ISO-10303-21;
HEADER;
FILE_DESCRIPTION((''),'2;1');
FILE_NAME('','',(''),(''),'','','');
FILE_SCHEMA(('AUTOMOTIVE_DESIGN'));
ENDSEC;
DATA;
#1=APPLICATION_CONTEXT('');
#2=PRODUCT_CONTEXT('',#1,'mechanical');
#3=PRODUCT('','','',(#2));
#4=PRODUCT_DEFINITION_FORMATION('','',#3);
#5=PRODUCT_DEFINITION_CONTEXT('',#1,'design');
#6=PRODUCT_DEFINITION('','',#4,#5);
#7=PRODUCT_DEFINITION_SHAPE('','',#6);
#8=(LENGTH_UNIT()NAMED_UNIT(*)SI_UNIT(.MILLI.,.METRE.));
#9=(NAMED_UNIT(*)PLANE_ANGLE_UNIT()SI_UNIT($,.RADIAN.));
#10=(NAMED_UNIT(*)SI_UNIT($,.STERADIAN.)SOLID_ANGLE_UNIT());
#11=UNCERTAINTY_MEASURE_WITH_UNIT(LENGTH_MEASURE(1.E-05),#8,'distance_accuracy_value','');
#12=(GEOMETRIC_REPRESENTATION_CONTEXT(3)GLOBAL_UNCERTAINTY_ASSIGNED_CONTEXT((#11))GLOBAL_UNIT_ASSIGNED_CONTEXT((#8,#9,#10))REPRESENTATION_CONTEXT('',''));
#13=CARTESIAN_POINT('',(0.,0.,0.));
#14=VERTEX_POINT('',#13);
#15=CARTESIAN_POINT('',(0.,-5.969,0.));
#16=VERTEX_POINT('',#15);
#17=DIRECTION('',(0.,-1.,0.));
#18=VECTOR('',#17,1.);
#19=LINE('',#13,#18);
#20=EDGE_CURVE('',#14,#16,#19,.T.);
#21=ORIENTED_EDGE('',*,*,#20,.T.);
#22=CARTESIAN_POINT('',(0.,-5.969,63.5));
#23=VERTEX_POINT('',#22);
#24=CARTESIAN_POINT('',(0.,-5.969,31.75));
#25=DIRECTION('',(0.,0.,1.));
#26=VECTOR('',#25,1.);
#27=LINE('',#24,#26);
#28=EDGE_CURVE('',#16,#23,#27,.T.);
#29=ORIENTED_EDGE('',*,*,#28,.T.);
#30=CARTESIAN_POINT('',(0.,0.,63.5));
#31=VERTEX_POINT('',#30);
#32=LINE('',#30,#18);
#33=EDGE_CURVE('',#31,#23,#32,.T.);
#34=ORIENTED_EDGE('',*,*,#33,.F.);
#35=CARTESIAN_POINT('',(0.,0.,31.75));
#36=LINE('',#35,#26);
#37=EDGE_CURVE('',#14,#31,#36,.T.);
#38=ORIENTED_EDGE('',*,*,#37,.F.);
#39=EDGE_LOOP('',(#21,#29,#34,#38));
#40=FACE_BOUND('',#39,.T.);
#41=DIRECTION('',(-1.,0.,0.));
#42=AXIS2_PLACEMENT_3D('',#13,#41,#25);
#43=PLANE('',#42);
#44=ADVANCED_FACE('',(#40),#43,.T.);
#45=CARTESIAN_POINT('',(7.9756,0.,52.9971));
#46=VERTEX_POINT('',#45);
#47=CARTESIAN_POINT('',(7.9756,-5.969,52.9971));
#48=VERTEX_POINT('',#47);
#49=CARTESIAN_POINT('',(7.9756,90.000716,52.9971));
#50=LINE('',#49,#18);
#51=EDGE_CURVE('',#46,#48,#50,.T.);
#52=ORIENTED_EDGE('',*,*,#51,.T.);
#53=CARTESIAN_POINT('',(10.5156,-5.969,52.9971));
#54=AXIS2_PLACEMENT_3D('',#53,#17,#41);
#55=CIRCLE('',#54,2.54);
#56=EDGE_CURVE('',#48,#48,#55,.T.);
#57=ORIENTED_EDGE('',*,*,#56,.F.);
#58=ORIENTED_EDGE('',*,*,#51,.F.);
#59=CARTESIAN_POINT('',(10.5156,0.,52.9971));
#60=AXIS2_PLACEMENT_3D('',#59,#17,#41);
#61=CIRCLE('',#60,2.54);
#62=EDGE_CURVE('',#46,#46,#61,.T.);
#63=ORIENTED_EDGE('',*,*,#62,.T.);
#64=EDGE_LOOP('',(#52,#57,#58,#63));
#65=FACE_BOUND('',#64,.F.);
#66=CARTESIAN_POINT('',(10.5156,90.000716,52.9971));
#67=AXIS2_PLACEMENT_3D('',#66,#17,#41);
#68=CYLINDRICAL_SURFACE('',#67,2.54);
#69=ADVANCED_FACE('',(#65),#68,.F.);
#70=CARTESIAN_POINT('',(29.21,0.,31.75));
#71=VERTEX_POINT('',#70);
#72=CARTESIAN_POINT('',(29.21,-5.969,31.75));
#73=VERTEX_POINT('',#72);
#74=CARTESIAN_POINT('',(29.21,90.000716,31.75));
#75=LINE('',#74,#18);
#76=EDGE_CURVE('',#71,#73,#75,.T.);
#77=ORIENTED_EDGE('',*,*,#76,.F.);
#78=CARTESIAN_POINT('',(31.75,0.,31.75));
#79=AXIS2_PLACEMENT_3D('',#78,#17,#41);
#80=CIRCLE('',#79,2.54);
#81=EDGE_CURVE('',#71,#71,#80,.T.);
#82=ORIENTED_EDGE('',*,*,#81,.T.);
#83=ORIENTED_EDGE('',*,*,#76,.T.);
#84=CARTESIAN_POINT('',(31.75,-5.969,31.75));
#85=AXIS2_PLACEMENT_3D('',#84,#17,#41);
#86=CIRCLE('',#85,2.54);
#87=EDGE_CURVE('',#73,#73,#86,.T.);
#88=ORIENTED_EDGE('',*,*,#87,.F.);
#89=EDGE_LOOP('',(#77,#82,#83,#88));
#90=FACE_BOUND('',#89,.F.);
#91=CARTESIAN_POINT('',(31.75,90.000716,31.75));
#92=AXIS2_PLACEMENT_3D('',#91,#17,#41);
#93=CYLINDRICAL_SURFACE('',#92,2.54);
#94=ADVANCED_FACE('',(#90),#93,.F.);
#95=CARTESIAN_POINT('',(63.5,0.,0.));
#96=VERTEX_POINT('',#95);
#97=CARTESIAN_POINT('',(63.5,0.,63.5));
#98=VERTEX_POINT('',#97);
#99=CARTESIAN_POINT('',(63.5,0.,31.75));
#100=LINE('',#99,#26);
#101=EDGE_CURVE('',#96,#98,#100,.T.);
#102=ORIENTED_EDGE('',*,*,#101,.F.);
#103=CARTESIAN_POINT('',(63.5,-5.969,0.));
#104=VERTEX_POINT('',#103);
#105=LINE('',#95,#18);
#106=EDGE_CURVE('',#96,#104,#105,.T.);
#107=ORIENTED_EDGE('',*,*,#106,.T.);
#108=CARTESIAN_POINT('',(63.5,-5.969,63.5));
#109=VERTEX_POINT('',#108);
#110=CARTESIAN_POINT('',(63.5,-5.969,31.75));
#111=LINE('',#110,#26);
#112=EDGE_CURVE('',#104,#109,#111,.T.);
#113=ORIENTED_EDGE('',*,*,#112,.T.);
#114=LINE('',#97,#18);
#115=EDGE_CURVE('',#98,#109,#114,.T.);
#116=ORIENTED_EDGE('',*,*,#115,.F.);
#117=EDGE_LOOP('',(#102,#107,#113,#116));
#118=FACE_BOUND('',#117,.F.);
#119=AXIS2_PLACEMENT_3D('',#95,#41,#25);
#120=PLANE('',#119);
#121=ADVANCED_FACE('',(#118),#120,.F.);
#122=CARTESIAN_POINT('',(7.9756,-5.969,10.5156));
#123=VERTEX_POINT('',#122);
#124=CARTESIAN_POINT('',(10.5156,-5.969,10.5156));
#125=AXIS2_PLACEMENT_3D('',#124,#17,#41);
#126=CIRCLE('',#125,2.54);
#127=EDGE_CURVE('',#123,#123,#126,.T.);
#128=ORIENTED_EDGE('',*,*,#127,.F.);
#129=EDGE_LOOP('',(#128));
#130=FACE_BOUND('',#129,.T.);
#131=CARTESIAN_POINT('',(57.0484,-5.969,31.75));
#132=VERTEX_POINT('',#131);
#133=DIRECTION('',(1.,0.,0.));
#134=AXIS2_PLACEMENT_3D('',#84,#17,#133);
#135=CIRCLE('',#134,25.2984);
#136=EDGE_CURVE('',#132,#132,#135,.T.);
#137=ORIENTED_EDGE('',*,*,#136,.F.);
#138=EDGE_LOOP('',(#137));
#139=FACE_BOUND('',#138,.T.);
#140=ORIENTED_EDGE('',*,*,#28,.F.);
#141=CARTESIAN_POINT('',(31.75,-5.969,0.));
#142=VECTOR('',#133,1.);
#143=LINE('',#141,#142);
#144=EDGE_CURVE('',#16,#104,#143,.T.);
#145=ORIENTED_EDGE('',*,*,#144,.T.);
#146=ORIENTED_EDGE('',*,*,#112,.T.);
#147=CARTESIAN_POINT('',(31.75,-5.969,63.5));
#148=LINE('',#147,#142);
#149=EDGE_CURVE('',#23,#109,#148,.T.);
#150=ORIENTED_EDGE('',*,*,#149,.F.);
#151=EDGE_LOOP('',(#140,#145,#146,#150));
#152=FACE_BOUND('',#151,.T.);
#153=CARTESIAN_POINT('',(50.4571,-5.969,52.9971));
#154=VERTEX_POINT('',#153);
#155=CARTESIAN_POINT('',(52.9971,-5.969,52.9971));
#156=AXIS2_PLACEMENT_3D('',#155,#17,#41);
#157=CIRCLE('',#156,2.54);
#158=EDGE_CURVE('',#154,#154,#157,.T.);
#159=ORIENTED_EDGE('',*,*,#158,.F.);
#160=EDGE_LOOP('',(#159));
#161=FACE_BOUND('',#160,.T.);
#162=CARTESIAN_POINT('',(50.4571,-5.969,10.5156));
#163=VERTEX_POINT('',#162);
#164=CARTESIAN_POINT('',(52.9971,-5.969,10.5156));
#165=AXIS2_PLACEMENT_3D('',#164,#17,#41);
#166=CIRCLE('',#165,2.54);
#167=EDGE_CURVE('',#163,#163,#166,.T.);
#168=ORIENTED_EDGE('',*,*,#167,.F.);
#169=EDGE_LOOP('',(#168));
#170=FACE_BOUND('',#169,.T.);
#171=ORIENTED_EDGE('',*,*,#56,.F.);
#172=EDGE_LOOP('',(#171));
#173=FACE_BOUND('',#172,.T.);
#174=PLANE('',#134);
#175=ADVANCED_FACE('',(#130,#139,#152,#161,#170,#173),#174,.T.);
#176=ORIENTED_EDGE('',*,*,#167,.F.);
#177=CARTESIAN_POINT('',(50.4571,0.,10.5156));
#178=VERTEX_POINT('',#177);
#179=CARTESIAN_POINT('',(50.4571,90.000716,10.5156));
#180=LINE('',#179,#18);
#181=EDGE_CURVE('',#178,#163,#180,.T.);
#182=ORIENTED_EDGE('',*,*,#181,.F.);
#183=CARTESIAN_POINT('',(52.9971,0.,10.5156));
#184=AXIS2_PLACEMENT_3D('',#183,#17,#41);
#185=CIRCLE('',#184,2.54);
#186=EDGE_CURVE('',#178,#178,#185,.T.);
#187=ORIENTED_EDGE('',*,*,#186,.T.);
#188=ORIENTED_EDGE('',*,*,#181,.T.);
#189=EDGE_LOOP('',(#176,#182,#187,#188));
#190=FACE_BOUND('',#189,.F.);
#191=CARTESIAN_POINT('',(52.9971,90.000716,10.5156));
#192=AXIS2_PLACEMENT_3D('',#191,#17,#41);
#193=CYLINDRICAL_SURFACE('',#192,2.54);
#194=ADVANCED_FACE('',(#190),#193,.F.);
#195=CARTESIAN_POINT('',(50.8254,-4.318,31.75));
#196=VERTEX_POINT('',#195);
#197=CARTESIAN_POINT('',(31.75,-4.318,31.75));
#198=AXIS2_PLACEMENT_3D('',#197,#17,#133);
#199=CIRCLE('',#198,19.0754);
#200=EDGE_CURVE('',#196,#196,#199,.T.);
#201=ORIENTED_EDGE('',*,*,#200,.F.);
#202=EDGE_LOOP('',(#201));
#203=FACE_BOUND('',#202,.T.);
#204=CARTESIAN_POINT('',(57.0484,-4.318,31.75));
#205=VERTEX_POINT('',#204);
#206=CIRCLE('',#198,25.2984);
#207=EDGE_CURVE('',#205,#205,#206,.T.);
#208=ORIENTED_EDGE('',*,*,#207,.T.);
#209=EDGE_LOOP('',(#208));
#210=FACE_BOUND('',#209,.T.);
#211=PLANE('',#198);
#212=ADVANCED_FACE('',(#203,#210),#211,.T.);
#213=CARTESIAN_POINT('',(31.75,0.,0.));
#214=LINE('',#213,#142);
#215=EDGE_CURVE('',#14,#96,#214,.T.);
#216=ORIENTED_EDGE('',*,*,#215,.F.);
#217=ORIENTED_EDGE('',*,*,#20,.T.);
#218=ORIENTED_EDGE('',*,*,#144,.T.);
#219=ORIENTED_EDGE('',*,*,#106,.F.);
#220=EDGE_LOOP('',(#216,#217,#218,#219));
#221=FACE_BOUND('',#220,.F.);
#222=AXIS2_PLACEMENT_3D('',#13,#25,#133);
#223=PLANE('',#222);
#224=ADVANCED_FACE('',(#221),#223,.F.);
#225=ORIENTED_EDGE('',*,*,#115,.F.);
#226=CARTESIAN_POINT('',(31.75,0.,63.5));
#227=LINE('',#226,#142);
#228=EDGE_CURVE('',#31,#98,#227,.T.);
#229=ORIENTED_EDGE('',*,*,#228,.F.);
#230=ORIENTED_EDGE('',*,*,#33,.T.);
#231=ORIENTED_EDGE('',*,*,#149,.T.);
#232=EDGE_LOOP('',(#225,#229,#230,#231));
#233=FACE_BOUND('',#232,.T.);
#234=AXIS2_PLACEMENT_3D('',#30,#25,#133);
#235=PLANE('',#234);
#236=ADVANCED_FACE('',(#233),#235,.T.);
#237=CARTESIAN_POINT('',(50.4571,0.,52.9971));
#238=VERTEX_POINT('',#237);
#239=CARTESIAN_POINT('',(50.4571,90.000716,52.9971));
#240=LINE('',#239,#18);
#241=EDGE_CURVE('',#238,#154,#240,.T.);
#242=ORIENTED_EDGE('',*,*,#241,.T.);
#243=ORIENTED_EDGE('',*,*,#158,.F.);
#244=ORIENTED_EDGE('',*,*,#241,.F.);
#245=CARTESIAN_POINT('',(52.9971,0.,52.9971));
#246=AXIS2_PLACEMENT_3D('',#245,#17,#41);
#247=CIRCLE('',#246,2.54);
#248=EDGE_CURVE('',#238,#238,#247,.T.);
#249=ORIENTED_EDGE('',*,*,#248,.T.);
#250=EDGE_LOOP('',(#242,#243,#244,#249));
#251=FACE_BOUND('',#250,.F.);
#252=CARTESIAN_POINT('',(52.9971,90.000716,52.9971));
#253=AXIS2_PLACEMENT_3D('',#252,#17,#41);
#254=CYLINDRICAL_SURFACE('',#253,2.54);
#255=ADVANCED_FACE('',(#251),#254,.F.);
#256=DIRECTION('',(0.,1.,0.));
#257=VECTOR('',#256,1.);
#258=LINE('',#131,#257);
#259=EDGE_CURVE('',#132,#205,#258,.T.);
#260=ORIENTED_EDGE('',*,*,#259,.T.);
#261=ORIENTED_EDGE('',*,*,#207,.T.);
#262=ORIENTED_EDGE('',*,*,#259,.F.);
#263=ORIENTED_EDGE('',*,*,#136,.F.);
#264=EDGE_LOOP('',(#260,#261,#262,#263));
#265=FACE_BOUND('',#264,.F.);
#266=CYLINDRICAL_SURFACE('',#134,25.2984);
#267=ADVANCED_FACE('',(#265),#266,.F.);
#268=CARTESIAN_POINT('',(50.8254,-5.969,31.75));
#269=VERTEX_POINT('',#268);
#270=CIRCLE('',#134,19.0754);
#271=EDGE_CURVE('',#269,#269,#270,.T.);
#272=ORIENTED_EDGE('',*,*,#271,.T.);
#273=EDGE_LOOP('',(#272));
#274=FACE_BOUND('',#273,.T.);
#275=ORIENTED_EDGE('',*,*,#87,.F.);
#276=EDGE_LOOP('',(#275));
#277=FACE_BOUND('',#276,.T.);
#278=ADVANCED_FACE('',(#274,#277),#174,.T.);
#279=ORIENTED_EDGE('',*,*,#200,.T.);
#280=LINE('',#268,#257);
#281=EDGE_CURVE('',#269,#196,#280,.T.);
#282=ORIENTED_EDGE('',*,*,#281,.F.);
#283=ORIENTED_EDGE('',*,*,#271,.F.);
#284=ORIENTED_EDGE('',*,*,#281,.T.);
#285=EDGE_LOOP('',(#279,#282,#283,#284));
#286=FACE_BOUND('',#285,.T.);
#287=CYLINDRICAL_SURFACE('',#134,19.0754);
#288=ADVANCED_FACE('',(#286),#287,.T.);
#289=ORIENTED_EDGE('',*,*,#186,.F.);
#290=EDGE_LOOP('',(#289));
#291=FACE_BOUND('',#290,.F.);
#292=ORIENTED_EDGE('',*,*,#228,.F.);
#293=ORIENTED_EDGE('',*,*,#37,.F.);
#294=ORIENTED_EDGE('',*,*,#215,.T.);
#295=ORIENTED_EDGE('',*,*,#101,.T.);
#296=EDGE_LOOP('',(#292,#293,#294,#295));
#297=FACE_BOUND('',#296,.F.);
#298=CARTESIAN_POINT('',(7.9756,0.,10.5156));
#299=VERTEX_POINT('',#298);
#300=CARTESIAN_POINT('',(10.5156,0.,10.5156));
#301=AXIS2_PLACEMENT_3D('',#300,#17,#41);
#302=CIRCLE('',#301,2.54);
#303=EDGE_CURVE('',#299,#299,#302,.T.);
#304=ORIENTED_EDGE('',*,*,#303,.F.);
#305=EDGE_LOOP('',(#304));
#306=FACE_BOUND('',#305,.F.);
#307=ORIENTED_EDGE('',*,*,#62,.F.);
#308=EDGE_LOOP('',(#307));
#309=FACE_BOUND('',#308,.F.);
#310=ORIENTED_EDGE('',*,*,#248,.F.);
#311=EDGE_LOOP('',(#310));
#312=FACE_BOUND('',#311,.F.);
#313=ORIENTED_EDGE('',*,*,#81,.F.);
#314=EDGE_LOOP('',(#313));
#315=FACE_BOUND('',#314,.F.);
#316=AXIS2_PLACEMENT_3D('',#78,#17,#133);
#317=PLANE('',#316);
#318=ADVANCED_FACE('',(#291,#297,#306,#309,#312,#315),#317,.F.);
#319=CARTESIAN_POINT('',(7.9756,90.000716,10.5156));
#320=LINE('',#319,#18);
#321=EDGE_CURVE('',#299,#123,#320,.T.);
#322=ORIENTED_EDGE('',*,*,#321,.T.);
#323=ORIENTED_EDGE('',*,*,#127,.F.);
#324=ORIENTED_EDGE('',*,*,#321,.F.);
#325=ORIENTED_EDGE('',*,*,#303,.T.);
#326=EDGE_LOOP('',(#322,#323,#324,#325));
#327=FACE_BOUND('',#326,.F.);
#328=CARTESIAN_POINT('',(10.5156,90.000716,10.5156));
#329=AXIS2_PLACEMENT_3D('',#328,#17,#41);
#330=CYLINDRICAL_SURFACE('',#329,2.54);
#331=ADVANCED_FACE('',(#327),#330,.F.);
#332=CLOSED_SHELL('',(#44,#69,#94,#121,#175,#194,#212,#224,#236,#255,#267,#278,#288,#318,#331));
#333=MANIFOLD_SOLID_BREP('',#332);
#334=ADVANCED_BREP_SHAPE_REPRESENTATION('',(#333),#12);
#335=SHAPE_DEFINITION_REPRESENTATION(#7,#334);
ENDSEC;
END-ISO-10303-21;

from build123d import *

# Parameters (mm, degrees)
F0_W     = 63.5
F0_H     = 63.5
F0_R     = 25.2984
F0_R_2   = 19.0754
F1_DEPTH = 5.969
F3_R     = 25.2984
F3_R_2   = 19.0754
F4_DEPTH = 1.651
F5_D     = 5.08


with BuildPart() as f1:
    # F0 (on Front) → F1 (new body)
    with BuildSketch(Plane.XZ):
        with Locations((31.75, 31.75)):
            Rectangle(F0_W, F0_H)
        with Locations((31.75, 31.75)):
            Circle(F0_R, mode=Mode.SUBTRACT)
        with Locations((31.75, 31.75)):
            Circle(F0_R)
        with Locations((31.75, 31.75)):
            Circle(F0_R_2, mode=Mode.SUBTRACT)
        with Locations((31.75, 31.75)):
            Circle(F0_R_2)
    extrude(amount=F1_DEPTH)

    # F3 (on face) → F4 (cut)
    with BuildSketch(Plane.XZ.offset(5.969)):
        with Locations((31.75, 31.75)):
            Circle(F3_R)
        with Locations((31.75, 31.75)):
            Circle(F3_R_2, mode=Mode.SUBTRACT)
    extrude(amount=-F4_DEPTH, mode=Mode.SUBTRACT)

    # F5 (through all)
    with Locations(Plane(origin=(0, 0, 0), x_dir=(1, 0, 0), z_dir=(0, 1, 0))):
        with Locations((10.5156, -52.9971), (52.9971, -52.9971), (10.5156, -10.5156), (52.9971, -10.5156), (31.75, -31.75)):
            Hole(F5_D / 2)


solid = f1.part
